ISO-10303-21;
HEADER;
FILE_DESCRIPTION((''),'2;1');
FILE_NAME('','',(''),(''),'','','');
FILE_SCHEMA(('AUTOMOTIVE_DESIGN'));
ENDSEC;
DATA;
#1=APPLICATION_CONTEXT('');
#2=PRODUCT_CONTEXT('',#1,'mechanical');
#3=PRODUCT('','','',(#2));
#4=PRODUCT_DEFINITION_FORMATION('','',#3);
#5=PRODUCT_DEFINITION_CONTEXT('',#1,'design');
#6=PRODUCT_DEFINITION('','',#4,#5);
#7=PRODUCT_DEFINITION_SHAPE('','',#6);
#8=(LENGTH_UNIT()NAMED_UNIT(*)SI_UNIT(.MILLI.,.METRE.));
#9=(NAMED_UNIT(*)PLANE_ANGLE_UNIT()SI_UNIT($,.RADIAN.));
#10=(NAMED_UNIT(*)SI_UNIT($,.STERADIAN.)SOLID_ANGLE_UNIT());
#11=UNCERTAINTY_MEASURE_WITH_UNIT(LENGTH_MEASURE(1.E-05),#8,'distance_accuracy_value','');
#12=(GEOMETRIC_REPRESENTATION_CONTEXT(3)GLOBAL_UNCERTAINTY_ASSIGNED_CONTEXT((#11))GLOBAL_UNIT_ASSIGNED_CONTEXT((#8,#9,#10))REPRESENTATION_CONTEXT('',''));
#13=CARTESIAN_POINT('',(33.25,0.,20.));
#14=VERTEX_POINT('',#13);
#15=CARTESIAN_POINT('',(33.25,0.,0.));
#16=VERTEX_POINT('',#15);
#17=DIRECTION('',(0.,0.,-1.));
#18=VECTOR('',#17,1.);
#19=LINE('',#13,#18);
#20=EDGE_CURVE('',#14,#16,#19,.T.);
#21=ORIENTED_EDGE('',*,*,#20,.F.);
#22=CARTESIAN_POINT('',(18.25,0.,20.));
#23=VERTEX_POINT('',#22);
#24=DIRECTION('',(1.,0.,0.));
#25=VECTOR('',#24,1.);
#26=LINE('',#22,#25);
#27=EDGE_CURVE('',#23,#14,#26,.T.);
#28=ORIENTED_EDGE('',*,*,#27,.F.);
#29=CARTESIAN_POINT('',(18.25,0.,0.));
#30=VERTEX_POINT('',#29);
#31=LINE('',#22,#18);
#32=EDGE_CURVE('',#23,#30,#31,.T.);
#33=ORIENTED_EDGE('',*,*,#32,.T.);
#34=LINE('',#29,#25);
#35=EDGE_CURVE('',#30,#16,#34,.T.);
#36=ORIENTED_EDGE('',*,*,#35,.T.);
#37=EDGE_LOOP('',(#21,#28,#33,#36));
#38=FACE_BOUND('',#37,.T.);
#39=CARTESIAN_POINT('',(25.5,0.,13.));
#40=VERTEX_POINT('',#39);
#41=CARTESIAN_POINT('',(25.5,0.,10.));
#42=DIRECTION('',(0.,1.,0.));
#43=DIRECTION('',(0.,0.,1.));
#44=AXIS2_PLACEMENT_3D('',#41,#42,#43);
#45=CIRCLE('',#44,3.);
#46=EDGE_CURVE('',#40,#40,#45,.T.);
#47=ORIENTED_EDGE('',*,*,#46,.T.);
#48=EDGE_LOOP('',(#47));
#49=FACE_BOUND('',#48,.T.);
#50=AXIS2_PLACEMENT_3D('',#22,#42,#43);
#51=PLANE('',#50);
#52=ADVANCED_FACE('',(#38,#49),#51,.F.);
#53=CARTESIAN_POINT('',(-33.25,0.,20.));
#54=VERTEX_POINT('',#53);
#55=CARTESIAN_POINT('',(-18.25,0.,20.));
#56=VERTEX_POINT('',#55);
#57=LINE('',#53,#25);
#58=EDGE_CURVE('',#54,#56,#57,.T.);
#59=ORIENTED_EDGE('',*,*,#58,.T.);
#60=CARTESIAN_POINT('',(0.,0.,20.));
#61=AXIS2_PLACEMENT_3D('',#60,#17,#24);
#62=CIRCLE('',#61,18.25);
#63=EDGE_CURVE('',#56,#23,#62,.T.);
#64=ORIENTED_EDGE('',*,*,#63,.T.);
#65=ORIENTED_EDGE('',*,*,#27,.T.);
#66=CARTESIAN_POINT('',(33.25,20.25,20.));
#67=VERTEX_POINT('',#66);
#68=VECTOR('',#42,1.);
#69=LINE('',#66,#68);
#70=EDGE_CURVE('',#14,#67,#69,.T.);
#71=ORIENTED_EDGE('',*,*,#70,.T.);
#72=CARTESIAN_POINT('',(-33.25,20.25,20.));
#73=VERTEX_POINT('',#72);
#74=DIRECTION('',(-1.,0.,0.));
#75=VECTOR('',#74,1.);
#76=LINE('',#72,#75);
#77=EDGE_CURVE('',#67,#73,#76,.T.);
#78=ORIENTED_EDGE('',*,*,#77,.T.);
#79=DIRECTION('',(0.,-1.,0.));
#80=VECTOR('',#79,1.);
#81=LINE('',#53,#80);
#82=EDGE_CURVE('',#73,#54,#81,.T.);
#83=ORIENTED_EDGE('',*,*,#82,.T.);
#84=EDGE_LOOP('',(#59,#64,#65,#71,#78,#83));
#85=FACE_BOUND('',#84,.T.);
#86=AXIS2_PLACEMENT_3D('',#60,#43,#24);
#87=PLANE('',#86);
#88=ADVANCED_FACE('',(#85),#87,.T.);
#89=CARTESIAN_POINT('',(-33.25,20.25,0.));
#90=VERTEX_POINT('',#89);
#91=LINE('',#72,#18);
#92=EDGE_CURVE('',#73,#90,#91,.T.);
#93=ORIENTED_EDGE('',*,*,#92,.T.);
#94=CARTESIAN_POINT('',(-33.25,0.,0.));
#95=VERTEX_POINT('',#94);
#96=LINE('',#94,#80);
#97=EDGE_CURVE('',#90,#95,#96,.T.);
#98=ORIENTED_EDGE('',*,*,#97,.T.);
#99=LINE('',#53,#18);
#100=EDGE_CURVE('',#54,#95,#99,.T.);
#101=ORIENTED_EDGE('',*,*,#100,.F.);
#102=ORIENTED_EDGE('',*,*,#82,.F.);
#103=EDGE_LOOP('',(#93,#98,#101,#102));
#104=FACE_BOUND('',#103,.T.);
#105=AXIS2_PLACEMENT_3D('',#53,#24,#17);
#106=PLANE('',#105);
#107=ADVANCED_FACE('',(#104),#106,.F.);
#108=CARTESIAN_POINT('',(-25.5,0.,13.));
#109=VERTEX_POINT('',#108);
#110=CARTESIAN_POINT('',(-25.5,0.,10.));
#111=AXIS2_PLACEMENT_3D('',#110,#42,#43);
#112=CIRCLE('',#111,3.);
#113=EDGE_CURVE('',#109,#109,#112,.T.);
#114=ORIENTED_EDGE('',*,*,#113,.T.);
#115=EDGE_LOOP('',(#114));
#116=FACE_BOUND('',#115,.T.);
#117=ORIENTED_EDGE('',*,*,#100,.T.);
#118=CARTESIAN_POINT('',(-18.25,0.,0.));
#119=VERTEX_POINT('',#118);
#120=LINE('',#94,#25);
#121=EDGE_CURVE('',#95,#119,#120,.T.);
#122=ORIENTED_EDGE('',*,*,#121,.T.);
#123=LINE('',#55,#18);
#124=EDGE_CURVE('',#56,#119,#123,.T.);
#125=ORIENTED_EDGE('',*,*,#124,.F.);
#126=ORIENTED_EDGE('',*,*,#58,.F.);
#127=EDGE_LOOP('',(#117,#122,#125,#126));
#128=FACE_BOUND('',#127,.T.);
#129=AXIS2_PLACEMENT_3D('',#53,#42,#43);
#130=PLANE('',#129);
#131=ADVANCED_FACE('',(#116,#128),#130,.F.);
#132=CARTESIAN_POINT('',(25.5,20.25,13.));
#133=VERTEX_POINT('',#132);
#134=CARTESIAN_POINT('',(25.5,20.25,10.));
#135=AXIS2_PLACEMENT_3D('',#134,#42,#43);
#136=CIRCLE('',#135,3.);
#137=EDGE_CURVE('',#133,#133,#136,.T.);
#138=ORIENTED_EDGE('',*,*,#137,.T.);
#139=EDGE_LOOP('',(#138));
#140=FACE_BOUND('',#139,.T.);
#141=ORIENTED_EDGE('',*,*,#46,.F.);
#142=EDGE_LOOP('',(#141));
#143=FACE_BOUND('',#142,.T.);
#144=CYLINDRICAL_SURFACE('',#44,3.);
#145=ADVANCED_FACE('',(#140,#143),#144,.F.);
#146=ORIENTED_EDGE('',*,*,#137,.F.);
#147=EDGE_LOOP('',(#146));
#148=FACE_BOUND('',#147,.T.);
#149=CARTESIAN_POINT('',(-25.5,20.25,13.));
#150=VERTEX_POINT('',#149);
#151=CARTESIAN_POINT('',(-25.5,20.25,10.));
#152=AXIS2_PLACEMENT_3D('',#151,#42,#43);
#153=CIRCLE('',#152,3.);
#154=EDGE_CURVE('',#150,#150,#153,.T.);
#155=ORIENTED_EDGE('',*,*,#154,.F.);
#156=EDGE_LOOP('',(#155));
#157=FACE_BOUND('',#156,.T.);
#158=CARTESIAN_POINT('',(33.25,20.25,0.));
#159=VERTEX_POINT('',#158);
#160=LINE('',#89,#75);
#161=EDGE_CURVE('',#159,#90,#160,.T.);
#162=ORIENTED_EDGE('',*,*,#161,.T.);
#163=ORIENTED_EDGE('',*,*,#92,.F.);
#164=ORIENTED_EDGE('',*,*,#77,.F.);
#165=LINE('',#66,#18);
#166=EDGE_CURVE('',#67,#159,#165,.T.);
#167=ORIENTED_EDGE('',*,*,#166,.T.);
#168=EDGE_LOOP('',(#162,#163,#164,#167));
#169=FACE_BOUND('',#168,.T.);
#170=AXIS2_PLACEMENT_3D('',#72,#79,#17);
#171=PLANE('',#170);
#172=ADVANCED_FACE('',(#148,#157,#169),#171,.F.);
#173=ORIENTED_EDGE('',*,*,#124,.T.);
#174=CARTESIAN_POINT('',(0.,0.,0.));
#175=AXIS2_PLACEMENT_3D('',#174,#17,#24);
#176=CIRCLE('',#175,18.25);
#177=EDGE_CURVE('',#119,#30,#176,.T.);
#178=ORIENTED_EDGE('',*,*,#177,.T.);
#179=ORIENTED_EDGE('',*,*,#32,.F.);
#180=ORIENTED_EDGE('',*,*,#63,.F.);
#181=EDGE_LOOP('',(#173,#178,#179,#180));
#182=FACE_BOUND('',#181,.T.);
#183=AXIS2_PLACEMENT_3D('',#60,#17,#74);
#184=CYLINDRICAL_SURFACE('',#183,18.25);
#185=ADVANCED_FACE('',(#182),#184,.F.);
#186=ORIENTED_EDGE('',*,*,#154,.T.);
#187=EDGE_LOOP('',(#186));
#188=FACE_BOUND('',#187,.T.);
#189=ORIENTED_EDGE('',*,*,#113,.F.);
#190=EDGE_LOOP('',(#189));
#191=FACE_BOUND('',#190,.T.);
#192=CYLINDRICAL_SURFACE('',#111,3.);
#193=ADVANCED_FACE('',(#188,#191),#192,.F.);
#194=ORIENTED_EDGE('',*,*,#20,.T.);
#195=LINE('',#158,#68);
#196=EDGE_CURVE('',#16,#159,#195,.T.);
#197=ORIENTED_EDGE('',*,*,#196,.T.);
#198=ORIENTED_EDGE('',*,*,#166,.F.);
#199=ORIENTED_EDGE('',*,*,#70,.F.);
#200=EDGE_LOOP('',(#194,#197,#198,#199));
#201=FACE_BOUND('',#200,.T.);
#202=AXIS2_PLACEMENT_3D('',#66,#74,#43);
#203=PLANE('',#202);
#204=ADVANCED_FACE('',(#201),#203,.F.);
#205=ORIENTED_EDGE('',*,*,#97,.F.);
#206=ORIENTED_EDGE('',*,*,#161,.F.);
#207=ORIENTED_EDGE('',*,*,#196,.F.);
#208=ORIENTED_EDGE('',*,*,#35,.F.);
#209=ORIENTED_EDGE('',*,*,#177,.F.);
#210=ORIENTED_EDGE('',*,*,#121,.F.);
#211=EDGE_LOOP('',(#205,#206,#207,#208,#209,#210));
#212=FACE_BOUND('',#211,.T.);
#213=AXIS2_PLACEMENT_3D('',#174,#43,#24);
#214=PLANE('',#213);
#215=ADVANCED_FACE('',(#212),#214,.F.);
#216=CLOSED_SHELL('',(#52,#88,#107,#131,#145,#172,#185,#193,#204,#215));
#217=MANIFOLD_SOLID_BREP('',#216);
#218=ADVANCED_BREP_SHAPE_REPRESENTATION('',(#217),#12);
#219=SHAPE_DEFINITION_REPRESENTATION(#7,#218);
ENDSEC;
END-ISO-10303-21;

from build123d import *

# Parameters (mm, degrees)
EXTRUDE_1_DEPTH     = 20
SKETCH_2_R          = 3
CUT_EXTRUDE_1_DEPTH = 21.25


with BuildPart() as part:
    # 草图1 → 凸台-拉伸1 (new body)
    with BuildSketch(Plane.XY):
        with BuildLine():
            Line((-33.25, 0), (-18.25, 0))
            ThreePointArc((-18.25, 0), (0, 18.25), (18.25, 0))
            Line((18.25, 0), (33.25, 0))
            Line((33.25, 0), (33.25, 20.25))
            Line((33.25, 20.25), (-33.25, 20.25))
            Line((-33.25, 20.25), (-33.25, 0))
        make_face()
    extrude(amount=EXTRUDE_1_DEPTH)

    # 草图2 → 切除-拉伸1 (cut, through all)
    with BuildSketch(Plane(origin=(0, 20.25, 0), x_dir=(1, 0, 0), z_dir=(0, 1, 0))):
        with Locations((-25.5, -10)):
            Circle(SKETCH_2_R)
        with Locations((25.5, -10)):
            Circle(SKETCH_2_R)
    extrude(amount=-CUT_EXTRUDE_1_DEPTH, mode=Mode.SUBTRACT)


solid = part.part
